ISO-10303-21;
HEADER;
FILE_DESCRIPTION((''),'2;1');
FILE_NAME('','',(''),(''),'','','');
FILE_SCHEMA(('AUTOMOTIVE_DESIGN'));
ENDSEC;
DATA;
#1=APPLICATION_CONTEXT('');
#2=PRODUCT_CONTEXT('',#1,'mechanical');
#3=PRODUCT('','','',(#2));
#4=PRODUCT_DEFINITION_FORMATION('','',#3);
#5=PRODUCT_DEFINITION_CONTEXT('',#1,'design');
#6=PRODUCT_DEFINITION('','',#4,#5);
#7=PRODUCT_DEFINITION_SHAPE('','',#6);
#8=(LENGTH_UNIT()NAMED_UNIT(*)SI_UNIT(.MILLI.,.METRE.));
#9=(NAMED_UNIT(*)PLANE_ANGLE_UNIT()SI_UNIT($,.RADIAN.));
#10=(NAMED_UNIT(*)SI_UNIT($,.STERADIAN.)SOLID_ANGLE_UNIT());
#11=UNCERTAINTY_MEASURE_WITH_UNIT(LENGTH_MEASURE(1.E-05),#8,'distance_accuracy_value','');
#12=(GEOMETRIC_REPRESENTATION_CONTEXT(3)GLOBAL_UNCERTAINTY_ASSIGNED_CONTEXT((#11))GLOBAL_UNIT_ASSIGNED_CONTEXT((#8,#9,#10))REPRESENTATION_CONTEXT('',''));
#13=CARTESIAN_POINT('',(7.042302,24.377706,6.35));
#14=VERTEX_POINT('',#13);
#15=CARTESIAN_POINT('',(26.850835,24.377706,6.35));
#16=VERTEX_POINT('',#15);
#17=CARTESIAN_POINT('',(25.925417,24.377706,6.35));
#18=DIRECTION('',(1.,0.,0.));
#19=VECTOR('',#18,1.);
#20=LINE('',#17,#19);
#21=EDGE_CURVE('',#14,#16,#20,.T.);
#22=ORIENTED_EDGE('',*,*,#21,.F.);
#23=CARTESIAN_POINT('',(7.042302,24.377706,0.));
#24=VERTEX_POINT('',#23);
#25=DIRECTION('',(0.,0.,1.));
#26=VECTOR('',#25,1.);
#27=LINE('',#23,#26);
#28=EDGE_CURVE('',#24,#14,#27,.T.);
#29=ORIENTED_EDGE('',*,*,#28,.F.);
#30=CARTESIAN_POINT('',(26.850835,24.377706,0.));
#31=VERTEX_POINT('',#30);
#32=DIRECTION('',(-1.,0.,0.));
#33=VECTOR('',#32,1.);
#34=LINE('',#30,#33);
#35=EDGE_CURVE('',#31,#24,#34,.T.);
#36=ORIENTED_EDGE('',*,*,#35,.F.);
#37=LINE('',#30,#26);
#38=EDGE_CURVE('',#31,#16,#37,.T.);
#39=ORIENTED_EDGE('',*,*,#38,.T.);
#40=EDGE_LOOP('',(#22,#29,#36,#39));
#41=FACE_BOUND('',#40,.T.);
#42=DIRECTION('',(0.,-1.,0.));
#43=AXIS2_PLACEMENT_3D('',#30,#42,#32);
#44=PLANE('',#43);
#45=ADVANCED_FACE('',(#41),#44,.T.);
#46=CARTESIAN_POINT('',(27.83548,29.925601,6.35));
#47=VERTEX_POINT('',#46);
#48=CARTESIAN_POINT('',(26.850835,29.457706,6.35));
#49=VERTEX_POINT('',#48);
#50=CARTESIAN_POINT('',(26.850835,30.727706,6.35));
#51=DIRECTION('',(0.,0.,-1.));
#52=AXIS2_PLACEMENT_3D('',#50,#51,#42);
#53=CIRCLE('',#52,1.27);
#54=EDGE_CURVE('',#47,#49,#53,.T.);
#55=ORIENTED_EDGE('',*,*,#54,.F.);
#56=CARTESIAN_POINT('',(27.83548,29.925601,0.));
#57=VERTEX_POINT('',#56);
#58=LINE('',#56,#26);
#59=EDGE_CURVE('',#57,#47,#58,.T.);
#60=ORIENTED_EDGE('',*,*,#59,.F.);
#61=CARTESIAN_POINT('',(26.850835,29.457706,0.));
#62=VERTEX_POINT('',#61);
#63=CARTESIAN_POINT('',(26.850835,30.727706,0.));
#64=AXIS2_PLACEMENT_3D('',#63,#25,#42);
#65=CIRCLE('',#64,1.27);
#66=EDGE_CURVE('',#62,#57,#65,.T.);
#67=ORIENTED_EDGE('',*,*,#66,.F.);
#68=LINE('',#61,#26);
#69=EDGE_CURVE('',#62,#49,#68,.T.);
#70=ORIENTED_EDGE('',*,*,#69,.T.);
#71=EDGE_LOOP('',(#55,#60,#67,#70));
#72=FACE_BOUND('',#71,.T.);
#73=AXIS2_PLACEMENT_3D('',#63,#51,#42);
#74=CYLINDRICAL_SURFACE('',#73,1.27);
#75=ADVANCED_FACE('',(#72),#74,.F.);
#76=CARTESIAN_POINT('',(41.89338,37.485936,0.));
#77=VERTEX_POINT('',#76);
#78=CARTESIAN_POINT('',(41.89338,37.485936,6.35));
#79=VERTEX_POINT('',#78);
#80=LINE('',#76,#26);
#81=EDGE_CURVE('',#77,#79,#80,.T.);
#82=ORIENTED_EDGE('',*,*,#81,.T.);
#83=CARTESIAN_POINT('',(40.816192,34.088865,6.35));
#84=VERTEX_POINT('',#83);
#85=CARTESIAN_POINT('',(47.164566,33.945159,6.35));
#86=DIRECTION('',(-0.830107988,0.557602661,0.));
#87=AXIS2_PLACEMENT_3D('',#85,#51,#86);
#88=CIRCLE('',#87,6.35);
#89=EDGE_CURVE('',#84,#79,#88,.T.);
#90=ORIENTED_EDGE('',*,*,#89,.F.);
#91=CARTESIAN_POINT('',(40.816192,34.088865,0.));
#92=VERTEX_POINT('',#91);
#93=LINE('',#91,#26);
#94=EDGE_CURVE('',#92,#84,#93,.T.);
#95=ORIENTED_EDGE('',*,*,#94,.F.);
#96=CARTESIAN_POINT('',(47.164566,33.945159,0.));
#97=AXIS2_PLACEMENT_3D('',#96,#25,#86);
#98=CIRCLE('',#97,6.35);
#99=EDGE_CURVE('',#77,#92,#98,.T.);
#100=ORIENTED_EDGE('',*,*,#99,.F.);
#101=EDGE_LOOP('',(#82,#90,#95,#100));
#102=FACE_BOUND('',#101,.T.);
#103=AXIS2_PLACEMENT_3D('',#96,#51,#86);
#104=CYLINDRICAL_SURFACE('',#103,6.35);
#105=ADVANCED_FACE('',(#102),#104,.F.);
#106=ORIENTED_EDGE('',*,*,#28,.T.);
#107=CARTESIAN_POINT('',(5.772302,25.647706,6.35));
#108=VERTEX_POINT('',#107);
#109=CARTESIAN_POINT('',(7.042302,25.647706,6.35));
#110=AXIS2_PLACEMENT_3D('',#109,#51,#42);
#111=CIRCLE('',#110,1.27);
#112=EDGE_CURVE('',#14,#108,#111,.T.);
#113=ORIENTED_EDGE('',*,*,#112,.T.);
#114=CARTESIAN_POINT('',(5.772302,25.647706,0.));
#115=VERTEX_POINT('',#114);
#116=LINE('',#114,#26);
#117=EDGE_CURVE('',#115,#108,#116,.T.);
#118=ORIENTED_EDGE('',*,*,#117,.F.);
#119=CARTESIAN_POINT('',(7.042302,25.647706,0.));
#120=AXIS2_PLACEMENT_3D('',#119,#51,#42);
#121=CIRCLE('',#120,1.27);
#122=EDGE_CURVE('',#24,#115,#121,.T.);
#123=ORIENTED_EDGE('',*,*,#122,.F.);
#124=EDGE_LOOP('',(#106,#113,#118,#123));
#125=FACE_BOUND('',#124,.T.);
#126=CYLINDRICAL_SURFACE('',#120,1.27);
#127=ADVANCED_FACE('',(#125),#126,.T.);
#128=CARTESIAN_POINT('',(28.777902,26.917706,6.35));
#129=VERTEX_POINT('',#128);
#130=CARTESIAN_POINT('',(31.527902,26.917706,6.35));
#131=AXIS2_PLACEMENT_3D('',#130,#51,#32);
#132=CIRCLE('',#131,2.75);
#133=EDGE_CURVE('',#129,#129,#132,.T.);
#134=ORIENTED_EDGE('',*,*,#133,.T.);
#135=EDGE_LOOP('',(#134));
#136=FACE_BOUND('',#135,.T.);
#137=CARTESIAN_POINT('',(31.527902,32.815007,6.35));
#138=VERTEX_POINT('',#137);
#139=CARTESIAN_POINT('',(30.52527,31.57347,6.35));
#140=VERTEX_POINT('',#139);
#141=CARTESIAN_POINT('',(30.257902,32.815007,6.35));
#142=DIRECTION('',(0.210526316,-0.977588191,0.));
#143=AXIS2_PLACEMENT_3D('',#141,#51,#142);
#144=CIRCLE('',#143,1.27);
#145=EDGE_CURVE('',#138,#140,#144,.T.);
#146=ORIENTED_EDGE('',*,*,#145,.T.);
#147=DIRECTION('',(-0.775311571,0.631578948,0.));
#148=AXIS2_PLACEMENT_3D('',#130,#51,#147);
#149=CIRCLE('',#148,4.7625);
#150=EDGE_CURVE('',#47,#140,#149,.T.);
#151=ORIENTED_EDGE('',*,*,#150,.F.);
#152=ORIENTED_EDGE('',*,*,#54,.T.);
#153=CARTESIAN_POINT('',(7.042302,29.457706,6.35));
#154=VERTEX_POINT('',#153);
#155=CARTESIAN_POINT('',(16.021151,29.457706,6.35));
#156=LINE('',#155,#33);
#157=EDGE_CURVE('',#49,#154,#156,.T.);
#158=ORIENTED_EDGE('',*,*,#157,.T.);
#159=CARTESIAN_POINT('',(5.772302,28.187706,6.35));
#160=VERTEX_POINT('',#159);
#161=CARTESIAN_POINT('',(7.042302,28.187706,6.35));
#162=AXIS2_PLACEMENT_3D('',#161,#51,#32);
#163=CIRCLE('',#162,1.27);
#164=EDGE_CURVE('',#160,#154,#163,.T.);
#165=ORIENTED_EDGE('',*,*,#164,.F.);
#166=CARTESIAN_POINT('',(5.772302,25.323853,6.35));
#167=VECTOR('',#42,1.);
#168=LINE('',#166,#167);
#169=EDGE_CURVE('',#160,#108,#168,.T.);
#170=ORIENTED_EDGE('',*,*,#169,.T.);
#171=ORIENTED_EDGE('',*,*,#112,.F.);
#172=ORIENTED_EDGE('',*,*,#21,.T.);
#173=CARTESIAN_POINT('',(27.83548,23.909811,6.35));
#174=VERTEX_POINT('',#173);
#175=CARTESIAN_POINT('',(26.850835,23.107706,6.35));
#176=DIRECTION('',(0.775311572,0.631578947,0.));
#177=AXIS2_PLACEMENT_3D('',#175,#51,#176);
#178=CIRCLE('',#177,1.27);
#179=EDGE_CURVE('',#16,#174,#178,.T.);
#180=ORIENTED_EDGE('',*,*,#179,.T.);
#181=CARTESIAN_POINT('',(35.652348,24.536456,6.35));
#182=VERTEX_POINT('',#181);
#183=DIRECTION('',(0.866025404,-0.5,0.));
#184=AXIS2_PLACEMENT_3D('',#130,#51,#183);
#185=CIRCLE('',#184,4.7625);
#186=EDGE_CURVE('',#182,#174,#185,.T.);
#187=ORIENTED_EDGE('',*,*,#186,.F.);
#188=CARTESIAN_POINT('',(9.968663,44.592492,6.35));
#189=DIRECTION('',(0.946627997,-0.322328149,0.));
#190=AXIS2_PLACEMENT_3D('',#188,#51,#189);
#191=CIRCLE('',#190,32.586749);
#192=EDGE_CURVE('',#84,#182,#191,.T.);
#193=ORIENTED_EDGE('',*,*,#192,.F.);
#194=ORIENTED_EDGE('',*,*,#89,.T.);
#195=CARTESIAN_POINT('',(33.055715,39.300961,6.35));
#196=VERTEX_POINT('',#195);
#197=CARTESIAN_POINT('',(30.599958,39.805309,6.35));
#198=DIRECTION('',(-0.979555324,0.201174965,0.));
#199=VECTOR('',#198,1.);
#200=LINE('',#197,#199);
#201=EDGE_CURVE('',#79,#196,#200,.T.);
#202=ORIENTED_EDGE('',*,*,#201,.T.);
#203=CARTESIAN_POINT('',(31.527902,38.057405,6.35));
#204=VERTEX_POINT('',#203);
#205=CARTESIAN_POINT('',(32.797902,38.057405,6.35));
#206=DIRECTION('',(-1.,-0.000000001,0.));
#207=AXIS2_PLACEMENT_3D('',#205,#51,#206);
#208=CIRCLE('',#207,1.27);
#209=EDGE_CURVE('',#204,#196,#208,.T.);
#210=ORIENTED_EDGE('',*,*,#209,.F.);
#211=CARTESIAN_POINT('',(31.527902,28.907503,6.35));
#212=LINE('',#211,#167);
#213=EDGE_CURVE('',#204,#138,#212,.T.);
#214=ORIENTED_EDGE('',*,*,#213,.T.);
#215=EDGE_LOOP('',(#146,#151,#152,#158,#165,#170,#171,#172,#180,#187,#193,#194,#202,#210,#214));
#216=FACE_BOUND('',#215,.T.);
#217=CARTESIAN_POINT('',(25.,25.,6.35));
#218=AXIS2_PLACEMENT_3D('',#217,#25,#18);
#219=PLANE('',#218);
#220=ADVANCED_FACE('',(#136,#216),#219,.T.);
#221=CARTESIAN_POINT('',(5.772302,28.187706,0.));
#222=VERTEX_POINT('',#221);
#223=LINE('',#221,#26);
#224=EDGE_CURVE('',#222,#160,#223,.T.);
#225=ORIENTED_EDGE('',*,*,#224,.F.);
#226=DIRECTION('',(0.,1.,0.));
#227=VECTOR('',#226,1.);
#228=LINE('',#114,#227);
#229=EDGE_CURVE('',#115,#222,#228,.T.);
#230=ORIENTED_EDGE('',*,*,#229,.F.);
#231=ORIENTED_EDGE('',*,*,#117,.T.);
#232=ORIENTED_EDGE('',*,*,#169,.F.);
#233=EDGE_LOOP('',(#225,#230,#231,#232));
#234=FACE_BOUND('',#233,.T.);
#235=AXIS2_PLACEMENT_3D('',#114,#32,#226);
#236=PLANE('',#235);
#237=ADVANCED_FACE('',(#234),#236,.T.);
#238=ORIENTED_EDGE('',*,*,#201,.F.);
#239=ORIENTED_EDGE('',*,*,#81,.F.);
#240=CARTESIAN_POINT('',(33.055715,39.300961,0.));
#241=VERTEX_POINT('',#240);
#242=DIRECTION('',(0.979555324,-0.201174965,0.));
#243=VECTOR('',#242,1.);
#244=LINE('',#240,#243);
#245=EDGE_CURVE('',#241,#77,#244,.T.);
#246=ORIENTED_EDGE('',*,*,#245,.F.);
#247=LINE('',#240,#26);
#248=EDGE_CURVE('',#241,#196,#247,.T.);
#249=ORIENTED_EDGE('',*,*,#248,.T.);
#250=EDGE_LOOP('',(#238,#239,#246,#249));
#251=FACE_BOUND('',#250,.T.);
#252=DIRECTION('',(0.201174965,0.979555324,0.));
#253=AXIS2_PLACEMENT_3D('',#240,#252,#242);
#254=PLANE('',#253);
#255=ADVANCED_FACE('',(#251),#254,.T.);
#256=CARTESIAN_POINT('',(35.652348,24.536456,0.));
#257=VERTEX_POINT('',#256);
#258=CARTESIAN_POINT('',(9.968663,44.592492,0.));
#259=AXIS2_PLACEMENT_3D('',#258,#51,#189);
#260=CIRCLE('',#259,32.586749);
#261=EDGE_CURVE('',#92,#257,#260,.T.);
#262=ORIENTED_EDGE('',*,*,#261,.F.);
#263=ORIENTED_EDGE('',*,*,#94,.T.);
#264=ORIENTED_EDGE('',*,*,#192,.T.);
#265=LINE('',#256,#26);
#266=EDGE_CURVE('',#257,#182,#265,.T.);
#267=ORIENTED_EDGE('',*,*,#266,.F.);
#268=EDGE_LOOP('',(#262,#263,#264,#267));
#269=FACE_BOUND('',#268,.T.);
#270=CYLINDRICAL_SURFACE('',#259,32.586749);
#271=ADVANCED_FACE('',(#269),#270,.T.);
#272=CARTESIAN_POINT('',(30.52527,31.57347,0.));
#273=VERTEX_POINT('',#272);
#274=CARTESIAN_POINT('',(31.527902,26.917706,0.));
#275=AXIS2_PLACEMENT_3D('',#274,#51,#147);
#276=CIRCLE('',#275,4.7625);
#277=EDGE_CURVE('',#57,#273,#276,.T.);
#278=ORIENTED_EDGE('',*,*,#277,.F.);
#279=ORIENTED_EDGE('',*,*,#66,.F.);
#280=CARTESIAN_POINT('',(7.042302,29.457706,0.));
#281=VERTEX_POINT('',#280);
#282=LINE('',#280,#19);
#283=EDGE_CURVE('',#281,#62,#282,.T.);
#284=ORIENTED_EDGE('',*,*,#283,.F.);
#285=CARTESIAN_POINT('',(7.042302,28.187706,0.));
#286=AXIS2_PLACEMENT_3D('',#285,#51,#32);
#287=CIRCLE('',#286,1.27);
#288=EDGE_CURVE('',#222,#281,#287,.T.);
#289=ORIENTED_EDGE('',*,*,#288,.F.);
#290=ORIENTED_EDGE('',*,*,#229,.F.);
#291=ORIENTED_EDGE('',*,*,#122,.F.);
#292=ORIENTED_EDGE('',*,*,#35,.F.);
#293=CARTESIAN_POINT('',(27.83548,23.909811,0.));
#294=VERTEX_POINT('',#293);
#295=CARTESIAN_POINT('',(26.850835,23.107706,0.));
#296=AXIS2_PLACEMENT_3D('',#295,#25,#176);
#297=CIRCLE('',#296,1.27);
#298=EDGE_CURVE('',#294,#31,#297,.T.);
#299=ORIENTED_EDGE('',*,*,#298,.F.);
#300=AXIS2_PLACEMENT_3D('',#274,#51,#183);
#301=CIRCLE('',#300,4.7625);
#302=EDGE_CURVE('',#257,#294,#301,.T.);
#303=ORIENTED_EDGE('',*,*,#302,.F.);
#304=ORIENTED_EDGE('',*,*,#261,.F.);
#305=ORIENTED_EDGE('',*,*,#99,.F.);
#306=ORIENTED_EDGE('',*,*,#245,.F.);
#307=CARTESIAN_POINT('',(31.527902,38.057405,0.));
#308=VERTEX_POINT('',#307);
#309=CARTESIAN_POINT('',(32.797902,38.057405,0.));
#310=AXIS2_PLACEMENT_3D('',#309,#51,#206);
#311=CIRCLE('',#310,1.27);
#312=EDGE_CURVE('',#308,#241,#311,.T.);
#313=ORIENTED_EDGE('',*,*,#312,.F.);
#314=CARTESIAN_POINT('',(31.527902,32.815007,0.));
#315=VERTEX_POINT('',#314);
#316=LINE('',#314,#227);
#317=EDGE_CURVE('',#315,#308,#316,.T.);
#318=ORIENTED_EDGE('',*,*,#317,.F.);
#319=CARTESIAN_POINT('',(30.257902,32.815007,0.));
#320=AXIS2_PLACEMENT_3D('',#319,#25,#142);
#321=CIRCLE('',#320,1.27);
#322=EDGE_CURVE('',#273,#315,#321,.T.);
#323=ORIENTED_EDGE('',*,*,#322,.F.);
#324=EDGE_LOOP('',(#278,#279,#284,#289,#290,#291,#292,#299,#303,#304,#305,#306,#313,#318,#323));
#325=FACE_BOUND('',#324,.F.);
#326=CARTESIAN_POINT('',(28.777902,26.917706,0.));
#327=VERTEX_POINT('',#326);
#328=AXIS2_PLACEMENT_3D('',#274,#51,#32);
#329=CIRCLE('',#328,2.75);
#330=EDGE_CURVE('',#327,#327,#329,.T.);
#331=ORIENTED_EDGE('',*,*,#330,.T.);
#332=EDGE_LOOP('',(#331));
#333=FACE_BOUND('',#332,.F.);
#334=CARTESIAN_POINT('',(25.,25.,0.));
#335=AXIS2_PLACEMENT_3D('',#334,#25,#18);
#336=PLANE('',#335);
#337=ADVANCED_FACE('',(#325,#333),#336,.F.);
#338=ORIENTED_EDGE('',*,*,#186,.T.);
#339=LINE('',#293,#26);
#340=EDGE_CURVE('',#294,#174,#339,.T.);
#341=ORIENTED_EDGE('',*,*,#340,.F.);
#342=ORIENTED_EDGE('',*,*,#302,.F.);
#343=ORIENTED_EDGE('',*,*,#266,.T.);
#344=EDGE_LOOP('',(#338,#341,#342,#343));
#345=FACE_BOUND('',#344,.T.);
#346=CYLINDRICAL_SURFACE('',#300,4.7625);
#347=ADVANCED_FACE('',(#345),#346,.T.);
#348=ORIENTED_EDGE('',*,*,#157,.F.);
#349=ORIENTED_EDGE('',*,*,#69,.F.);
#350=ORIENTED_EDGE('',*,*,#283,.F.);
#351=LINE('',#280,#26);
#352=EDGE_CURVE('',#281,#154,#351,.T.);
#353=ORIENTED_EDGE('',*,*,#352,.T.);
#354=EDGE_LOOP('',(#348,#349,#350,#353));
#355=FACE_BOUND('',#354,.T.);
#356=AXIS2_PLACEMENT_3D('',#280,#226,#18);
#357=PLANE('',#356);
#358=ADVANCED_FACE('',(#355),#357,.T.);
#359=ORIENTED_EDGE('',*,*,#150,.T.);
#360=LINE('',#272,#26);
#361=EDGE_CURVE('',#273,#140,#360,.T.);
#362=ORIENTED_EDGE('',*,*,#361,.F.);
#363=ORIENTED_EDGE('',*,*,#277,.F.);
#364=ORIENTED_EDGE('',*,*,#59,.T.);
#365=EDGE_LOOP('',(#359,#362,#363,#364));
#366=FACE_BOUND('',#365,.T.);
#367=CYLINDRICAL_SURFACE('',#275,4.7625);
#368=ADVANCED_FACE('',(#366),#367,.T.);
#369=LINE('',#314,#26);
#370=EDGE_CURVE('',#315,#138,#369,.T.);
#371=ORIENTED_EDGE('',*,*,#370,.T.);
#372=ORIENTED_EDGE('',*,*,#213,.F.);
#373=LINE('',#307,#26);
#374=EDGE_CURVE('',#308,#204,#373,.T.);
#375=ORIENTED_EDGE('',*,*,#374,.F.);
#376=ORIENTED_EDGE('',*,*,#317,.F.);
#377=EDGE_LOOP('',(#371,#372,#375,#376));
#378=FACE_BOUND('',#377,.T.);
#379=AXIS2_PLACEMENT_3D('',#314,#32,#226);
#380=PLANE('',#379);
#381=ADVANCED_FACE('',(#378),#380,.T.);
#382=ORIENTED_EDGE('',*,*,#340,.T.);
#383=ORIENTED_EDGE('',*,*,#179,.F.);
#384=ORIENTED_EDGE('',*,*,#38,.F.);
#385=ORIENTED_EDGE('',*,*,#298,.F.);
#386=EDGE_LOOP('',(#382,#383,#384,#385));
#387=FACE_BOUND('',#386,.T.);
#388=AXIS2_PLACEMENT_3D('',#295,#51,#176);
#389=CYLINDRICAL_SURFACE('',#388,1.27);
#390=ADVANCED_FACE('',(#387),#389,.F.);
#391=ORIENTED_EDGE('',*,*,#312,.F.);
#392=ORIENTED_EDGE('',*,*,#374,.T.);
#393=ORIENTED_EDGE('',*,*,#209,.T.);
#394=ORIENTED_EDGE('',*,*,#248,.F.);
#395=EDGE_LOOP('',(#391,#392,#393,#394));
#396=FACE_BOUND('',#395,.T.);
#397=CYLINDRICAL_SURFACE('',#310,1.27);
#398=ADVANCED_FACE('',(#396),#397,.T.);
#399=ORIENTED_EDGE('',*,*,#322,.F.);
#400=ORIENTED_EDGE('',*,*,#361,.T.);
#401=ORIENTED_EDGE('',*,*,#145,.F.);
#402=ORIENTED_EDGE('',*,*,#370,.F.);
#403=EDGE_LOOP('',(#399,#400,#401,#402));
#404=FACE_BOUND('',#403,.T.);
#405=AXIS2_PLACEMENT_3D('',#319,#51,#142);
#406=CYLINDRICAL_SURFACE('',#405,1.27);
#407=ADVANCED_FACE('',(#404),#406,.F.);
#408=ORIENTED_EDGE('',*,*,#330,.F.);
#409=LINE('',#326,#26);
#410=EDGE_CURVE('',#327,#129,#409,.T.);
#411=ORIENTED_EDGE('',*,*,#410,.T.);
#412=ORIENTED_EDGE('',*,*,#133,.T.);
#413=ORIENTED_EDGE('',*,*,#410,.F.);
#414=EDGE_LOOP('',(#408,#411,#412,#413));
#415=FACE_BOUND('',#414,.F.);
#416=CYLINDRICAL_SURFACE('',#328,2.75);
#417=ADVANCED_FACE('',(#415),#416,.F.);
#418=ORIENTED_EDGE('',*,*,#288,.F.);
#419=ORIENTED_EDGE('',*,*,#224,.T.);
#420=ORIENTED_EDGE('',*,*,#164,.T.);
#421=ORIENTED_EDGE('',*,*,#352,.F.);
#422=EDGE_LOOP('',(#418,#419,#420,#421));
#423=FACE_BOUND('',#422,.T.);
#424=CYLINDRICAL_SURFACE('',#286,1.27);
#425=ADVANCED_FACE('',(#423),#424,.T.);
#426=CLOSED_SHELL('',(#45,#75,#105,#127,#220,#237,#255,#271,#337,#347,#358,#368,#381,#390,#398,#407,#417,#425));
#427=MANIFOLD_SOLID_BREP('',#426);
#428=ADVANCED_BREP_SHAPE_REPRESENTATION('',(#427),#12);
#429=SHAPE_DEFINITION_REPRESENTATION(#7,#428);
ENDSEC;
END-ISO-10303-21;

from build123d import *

# Parameters (mm, degrees)
SKETCH1_W           = 50
SKETCH1_H           = 50
BOSS_EXTRUDE1_DEPTH = 6.35
SKETCH2_OUTSIDE_W   = 66.2
SKETCH2_OUTSIDE_H   = 66.2
SKETCH2_OUTSIDE_R   = 2.75
CUT_EXTRUDE1_DEPTH  = 7.35


with BuildPart() as part:
    # Sketch1 → Boss-Extrude1 (new body)
    with BuildSketch(Plane.XY):
        with Locations((25, 25)):
            Rectangle(SKETCH1_W, SKETCH1_H)
    extrude(amount=BOSS_EXTRUDE1_DEPTH)

    # Sketch2 outside → Cut-Extrude1 (cut, through all)
    with BuildSketch(Plane(origin=(0, 0, 0), x_dir=(-1, 0, 0), z_dir=(0, 0, -1))):
        with Locations((-25, 25)):
            Rectangle(SKETCH2_OUTSIDE_W, SKETCH2_OUTSIDE_H)
        with BuildLine():
            Line((-26.850834583, 24.37770606), (-7.04230164, 24.37770606))
            ThreePointArc((-7.04230164, 24.37770606), (-6.144276028, 24.749680448), (-5.77230164, 25.64770606))
            Line((-5.77230164, 25.64770606), (-5.77230164, 28.18770606))
            ThreePointArc((-5.77230164, 28.18770606), (-6.144276028, 29.085731672), (-7.04230164, 29.45770606))
            Line((-7.04230164, 29.45770606), (-26.850834583, 29.45770606))
            ThreePointArc((-26.850834583, 29.45770606), (-27.395915456, 29.580628538), (-27.835480279, 29.925600797))
            ThreePointArc((-27.835480279, 29.925600797), (-29.039981102, 30.97869826), (-30.525270061, 31.573469818))
            ThreePointArc((-30.525270061, 31.573469818), (-31.245944628, 32.017090124), (-31.52790164, 32.81500682))
            Line((-31.52790164, 32.81500682), (-31.52790164, 38.057404626))
            ThreePointArc((-31.52790164, 38.057404626), (-31.996191822, 39.042372325), (-33.055714819, 39.300960963))
            Line((-33.055714819, 39.300960963), (-41.893380205, 37.485936348))
            ThreePointArc((-41.893380205, 37.485936348), (-41.111586239, 35.864517894), (-40.816192235, 34.08886534))
            ThreePointArc((-40.816192235, 34.08886534), (-38.634961437, 29.096054751), (-35.652347625, 24.53645606))
            ThreePointArc((-35.652347625, 24.53645606), (-31.908469933, 22.170435895), (-27.835480279, 23.909811323))
            ThreePointArc((-27.835480279, 23.909811323), (-27.395915456, 24.254783582), (-26.850834583, 24.37770606))
        make_face(mode=Mode.SUBTRACT)
        with Locations((-31.52790164, 26.91770606)):
            Circle(SKETCH2_OUTSIDE_R)
    extrude(amount=-CUT_EXTRUDE1_DEPTH, mode=Mode.SUBTRACT)


solid = part.part
